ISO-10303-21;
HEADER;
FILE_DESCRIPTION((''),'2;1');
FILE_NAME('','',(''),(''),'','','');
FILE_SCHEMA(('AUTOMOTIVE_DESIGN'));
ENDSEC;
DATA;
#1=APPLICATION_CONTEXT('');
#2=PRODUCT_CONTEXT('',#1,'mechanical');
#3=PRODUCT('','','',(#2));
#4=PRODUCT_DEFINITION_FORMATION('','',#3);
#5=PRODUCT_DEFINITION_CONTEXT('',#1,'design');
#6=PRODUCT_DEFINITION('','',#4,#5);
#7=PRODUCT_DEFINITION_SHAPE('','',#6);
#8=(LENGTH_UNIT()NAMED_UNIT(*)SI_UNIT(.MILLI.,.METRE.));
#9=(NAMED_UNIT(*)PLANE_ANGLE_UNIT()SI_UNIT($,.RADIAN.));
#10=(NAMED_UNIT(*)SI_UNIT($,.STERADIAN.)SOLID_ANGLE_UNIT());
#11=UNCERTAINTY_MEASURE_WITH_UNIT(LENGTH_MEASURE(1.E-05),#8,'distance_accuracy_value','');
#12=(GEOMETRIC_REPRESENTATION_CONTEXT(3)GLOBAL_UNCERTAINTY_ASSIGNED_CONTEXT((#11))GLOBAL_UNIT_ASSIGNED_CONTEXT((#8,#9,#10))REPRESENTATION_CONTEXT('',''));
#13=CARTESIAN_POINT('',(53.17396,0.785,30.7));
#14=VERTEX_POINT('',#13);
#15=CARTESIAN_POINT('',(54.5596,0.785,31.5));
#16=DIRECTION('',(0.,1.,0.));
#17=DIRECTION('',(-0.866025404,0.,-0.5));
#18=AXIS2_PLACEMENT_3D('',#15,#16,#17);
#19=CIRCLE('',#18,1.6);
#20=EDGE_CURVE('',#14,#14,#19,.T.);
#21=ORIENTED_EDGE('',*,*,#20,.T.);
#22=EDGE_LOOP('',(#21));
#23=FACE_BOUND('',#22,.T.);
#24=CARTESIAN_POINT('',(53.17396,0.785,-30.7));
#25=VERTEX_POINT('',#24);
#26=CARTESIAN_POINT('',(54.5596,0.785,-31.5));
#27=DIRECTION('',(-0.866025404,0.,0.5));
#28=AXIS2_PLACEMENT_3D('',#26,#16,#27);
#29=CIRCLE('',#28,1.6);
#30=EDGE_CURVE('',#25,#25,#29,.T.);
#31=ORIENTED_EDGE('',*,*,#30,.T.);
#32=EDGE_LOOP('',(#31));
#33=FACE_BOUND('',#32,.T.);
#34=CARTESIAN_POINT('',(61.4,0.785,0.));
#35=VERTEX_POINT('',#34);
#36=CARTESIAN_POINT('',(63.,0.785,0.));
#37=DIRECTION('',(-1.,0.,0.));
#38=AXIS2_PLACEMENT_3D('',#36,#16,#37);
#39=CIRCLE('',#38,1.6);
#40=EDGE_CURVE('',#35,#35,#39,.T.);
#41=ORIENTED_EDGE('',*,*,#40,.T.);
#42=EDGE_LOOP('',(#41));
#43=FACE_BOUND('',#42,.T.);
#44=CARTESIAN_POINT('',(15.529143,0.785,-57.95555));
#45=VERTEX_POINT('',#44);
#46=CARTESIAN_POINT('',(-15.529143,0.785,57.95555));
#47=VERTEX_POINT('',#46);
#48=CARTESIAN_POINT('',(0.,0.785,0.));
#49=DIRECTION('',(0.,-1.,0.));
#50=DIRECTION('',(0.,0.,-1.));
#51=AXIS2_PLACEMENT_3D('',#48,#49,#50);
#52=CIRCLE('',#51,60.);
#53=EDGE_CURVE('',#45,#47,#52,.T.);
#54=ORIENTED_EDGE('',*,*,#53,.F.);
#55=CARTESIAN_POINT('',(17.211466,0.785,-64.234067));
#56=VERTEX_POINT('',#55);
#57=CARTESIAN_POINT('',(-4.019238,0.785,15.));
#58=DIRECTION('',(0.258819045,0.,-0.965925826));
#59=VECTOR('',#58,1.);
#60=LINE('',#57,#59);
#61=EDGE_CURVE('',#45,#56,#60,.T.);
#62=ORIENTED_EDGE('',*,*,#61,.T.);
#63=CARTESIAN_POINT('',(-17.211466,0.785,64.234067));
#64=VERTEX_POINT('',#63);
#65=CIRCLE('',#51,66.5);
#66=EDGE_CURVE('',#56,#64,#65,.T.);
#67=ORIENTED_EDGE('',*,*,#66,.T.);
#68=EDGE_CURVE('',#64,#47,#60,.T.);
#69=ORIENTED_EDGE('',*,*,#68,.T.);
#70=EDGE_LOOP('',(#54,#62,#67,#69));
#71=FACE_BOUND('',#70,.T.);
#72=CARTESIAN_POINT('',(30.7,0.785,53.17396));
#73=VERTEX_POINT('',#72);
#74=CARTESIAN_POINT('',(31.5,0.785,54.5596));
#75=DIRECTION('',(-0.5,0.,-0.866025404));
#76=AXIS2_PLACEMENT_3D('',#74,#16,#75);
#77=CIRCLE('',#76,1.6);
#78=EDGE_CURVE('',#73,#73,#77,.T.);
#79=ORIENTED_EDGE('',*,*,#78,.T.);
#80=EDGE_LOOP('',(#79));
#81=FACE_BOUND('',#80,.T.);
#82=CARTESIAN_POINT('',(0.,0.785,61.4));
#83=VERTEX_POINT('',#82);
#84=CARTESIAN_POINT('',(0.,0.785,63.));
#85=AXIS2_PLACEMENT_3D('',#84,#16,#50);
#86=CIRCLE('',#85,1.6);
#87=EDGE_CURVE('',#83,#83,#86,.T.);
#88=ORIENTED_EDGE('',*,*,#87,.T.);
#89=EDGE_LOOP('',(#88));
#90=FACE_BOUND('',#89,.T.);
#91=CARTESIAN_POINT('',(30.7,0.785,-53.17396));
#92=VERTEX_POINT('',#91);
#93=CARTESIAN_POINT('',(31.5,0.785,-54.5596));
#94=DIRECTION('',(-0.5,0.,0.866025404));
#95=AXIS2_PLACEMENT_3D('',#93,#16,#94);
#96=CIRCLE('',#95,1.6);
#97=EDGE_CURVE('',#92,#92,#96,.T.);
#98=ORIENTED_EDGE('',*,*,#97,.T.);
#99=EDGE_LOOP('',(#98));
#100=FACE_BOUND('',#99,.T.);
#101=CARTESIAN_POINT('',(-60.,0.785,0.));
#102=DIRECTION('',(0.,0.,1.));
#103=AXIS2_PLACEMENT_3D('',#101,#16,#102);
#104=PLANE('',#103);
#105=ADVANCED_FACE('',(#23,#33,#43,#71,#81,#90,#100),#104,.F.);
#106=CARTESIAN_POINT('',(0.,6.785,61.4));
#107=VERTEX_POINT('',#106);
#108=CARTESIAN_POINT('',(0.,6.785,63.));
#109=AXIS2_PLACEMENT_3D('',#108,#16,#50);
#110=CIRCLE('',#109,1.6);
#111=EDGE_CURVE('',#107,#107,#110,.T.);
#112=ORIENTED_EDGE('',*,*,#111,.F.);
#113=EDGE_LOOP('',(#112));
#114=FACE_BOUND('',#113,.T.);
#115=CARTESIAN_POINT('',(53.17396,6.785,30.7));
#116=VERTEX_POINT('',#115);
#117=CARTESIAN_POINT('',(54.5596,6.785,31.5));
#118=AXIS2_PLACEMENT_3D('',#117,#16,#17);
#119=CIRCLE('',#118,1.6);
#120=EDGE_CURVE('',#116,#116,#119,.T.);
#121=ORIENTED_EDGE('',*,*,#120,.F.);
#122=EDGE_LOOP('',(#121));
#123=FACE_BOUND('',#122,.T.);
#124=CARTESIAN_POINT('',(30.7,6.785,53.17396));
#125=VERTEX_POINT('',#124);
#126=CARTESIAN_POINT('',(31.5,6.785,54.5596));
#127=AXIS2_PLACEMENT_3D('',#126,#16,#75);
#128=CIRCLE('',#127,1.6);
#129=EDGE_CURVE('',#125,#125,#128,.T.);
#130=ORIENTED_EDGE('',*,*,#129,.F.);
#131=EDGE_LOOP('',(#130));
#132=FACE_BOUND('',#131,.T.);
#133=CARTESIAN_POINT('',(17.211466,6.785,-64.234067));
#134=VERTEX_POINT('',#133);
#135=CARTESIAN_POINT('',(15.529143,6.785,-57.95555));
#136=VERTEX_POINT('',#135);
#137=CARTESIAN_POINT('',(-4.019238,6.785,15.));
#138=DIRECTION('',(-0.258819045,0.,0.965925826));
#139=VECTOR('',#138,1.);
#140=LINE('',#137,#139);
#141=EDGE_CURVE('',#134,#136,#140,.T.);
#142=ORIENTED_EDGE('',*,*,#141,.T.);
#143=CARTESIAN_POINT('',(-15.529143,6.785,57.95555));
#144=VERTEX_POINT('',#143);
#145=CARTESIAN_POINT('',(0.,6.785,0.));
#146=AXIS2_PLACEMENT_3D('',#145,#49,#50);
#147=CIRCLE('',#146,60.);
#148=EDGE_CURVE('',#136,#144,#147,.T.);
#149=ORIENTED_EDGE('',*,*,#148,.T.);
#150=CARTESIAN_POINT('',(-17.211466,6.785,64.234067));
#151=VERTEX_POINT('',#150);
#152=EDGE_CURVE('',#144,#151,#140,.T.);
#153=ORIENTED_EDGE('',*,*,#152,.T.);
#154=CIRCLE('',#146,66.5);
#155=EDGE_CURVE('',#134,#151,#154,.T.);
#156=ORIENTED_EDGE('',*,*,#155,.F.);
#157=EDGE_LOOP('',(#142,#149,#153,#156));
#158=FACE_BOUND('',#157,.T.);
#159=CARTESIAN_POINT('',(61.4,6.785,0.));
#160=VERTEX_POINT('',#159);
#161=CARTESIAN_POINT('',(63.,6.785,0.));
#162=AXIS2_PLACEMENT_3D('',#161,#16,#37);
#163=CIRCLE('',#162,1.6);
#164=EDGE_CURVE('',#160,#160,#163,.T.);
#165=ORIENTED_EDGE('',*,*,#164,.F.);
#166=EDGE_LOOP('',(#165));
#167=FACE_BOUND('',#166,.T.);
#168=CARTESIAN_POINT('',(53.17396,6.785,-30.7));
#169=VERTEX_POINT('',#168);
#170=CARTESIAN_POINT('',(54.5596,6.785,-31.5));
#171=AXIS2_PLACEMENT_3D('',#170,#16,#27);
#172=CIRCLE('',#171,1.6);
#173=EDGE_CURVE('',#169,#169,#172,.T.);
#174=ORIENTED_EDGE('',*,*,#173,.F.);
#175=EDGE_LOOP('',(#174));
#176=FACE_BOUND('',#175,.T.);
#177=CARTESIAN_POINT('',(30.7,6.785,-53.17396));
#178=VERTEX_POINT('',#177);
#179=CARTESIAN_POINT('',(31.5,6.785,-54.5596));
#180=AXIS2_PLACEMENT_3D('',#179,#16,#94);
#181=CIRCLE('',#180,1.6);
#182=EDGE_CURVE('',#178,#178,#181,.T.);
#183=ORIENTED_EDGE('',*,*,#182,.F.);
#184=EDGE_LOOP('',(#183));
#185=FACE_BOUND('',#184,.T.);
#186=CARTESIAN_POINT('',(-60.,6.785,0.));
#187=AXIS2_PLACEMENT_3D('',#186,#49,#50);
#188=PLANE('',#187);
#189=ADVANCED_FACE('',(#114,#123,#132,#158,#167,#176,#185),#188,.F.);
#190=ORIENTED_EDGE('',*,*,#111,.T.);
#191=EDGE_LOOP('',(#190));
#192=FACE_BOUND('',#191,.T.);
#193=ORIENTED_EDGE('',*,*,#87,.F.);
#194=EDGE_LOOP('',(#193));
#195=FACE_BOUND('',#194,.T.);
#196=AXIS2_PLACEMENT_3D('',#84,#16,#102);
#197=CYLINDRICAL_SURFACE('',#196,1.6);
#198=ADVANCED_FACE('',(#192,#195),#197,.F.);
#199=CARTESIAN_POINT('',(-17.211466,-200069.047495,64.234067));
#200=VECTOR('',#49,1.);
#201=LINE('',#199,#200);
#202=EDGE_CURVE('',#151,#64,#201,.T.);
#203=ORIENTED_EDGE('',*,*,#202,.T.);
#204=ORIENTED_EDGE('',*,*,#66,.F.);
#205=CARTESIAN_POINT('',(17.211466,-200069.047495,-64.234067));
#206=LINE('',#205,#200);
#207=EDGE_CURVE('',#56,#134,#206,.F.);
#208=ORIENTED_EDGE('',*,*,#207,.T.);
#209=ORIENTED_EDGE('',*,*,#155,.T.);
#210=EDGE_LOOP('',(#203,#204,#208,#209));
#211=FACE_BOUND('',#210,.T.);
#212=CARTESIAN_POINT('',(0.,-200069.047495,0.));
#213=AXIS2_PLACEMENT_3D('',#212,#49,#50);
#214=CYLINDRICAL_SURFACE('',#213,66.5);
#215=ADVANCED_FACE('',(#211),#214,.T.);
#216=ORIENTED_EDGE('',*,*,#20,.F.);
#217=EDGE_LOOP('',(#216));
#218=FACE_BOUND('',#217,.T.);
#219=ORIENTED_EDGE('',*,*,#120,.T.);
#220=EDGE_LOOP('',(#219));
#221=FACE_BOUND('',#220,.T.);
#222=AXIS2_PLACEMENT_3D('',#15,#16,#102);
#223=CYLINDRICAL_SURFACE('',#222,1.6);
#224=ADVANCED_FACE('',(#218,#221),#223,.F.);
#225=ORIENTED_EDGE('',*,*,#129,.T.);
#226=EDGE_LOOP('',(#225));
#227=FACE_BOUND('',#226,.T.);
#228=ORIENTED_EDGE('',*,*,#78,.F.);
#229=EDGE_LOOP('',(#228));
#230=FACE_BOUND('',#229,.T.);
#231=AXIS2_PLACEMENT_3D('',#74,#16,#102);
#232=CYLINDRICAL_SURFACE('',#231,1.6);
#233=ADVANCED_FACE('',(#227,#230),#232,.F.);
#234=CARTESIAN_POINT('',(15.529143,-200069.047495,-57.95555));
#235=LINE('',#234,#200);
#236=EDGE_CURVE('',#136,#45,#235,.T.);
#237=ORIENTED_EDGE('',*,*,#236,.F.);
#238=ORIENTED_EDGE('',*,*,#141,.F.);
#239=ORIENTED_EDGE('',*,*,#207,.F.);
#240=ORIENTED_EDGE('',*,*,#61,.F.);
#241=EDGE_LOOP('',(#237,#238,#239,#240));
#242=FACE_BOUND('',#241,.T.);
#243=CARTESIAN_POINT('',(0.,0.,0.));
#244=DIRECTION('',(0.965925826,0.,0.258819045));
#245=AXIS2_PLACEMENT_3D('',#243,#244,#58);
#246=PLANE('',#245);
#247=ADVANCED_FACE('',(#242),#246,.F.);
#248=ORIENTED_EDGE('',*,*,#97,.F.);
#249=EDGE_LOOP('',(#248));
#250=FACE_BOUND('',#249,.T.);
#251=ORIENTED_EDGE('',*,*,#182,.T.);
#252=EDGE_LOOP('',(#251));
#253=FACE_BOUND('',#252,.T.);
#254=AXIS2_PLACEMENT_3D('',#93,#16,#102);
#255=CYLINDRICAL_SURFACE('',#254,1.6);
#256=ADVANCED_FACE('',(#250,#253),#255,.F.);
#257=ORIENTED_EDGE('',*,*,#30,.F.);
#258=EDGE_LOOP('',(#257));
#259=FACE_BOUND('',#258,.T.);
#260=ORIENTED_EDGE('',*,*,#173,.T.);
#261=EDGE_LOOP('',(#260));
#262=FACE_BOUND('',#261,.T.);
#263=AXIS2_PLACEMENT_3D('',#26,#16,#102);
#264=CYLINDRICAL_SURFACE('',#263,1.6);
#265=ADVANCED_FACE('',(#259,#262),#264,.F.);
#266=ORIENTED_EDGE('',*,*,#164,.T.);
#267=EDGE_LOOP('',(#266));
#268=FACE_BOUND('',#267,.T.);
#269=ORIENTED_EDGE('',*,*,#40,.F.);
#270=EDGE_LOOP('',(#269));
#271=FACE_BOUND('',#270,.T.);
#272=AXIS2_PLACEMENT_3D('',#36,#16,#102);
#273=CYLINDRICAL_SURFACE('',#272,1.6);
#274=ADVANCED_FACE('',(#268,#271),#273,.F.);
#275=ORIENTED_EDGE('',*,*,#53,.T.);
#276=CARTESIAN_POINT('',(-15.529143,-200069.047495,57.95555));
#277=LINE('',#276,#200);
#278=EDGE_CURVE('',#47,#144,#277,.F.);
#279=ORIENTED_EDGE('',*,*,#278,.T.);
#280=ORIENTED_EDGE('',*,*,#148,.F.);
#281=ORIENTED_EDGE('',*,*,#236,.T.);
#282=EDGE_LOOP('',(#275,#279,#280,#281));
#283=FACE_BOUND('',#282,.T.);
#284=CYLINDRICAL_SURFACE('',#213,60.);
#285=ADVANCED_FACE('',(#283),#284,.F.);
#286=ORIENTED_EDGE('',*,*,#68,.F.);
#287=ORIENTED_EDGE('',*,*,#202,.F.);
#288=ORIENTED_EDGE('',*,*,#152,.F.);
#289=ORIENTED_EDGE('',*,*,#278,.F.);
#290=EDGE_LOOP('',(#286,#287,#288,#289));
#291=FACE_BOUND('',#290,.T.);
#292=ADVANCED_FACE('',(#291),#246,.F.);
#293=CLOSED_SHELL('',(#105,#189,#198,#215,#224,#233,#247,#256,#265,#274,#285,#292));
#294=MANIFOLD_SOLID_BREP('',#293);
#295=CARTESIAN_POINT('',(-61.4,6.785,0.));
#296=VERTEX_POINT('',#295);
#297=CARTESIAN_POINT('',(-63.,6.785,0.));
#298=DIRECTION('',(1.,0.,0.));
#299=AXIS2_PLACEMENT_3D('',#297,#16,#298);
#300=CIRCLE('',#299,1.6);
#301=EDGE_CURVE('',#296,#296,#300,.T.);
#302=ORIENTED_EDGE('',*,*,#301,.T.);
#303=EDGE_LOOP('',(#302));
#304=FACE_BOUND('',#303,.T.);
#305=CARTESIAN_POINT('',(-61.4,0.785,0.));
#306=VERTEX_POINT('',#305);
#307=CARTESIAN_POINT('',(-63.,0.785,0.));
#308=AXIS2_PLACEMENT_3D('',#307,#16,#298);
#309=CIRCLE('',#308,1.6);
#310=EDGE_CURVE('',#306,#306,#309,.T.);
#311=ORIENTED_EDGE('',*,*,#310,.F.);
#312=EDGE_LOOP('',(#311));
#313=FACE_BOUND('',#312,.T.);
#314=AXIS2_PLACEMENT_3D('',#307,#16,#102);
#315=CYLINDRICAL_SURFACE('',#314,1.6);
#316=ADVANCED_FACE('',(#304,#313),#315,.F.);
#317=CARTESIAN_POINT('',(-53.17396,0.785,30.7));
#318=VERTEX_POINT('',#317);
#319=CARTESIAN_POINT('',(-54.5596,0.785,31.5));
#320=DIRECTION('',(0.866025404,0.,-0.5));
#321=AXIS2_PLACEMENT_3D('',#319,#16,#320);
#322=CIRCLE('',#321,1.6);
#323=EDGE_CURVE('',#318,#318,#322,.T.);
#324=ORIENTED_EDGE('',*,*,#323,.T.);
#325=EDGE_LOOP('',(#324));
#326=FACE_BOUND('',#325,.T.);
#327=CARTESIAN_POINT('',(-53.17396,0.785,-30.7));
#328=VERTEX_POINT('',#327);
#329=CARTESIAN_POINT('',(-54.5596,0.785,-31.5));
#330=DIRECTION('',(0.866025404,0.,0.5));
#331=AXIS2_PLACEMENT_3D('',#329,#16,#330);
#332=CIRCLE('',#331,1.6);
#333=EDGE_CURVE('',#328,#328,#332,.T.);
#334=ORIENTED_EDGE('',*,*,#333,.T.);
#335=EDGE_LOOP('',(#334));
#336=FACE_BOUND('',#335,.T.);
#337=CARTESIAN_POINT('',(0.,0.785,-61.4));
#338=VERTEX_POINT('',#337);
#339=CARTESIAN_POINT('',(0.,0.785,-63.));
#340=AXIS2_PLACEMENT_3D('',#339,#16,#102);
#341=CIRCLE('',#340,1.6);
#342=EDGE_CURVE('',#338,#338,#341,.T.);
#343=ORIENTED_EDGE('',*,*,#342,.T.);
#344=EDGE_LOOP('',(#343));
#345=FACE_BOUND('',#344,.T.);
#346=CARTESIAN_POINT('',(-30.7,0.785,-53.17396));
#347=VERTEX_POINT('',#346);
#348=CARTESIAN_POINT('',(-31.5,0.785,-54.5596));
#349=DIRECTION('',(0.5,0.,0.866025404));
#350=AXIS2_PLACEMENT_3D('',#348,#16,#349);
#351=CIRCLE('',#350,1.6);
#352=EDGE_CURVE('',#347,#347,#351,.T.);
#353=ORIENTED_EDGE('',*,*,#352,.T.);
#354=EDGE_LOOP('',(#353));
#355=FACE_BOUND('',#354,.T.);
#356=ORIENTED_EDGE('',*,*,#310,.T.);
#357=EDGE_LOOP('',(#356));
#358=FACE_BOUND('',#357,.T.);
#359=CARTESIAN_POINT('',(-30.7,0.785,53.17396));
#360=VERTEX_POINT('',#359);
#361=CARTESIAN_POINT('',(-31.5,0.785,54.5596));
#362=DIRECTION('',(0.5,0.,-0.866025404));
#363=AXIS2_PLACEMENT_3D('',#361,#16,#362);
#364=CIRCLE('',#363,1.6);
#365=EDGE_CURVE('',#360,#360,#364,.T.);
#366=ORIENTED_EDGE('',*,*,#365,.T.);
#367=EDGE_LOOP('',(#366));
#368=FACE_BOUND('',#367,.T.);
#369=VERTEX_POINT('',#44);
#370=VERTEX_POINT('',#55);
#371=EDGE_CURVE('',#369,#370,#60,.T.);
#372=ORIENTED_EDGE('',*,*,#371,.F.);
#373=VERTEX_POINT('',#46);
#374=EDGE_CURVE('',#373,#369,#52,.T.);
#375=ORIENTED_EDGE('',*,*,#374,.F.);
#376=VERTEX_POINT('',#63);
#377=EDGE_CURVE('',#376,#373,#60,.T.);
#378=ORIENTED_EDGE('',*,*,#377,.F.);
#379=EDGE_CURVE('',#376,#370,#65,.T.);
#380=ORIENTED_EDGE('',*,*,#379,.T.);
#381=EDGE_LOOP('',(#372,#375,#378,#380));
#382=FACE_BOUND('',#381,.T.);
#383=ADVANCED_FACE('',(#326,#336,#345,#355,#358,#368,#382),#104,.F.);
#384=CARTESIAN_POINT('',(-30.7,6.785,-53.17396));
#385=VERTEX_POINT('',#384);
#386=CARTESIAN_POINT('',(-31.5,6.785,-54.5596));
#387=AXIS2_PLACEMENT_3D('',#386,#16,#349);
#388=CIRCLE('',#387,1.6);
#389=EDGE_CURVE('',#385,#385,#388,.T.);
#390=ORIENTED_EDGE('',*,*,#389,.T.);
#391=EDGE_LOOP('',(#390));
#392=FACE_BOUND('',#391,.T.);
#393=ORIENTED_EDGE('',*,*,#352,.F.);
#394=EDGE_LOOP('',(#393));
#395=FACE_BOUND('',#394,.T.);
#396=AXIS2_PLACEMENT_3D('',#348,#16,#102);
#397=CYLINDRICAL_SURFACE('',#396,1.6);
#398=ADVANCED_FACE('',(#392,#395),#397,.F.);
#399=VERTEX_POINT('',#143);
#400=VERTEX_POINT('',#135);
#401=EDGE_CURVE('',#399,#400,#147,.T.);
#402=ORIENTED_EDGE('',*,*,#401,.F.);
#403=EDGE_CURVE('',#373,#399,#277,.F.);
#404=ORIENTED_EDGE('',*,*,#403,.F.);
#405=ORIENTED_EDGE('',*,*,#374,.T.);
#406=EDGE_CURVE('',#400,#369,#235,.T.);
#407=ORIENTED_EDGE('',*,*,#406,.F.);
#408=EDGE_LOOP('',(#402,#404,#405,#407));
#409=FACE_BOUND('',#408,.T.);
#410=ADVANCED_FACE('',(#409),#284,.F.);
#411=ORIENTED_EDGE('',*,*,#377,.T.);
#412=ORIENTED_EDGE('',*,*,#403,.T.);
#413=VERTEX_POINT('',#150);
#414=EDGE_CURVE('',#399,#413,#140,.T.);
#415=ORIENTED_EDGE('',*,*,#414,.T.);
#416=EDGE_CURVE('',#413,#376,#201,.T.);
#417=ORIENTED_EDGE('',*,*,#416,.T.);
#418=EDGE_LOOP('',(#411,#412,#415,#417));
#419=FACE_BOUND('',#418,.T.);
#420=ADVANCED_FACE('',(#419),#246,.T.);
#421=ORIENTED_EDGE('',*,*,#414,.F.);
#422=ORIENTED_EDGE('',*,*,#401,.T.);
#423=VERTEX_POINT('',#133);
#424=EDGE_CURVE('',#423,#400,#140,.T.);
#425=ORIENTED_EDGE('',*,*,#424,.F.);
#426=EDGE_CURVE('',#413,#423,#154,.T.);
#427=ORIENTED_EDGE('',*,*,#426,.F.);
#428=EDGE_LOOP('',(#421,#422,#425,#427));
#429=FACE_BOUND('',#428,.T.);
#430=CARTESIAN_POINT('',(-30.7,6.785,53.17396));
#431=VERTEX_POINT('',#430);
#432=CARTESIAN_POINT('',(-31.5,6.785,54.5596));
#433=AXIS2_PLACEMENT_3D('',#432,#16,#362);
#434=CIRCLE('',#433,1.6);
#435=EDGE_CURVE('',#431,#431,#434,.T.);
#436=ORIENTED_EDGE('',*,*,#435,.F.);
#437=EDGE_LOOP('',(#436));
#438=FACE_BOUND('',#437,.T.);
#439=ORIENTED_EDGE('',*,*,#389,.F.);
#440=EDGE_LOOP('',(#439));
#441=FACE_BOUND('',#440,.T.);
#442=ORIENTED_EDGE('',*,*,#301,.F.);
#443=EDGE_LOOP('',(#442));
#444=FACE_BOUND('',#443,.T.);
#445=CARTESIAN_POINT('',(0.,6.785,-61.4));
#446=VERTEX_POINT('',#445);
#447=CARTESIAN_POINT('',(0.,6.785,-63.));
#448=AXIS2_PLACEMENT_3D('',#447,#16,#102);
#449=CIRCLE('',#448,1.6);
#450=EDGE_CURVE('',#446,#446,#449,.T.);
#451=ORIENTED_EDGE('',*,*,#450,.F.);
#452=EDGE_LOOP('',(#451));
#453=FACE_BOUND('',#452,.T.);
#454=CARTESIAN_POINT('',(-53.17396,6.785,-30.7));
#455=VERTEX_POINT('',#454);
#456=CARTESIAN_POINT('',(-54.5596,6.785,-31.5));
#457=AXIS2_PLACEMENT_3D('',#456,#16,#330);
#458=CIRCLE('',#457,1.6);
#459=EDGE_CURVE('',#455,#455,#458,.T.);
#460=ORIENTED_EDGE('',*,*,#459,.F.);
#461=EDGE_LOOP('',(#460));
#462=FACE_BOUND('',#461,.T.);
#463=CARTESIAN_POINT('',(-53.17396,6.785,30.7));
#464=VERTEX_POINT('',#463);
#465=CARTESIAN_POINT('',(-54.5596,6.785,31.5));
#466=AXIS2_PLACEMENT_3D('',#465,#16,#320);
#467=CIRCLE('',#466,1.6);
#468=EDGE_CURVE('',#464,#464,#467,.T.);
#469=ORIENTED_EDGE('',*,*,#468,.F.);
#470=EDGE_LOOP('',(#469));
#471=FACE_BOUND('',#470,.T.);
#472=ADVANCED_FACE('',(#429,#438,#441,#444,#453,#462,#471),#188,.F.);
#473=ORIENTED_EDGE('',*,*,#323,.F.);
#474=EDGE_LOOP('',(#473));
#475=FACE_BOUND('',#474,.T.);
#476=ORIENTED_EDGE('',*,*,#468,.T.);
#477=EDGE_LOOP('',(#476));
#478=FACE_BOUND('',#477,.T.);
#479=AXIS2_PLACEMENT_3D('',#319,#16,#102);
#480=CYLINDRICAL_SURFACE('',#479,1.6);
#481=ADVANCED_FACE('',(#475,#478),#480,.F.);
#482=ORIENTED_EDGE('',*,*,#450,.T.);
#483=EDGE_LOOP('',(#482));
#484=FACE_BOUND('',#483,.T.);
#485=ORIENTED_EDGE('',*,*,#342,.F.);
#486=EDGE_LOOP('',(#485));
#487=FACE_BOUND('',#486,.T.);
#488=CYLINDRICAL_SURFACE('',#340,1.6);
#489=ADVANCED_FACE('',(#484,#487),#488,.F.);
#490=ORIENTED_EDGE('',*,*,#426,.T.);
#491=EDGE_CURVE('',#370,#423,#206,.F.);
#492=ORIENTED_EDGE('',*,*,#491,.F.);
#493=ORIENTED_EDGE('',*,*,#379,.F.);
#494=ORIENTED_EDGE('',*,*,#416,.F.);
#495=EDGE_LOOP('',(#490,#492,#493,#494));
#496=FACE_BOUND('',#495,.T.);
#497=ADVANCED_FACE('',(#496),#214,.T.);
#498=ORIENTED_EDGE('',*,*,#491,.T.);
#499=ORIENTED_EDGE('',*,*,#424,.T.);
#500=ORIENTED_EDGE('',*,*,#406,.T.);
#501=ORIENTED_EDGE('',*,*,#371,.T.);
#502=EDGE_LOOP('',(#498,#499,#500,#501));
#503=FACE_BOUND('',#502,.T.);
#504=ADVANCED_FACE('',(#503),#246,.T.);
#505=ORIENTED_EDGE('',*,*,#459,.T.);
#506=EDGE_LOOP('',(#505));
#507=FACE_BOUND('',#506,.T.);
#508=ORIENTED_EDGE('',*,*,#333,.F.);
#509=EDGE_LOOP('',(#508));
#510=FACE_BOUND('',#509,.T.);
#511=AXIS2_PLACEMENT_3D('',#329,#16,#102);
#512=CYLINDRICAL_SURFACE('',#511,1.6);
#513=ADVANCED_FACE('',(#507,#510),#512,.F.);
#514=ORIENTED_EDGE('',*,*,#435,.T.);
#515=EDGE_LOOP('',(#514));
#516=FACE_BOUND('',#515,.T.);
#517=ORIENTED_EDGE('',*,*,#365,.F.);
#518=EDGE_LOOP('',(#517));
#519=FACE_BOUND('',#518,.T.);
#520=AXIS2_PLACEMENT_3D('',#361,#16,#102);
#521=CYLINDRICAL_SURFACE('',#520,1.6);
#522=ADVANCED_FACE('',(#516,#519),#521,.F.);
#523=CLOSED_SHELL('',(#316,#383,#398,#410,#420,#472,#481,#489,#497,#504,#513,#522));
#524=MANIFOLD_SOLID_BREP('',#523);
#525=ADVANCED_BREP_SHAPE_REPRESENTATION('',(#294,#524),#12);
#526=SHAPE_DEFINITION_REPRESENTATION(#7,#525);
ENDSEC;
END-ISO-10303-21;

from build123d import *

# Parameters (mm, degrees)
SKETCH1_W          = 6.5
SKETCH1_H          = 6
SKETCH2_R          = 1.6
CUT_EXTRUDE1_DEPTH = 95.236404855
CIRPATTERN1_COUNT  = 12


with BuildPart() as part:
    # Sketch1 → Revolve1 (revolve)
    with BuildSketch(Plane.XY):
        with Locations((-63.25, 3.785)):
            Rectangle(SKETCH1_W, SKETCH1_H)
    revolve(axis=Axis((0, -200069.047495165, 0), (0, 1, 0)))

    # Sketch2 → Cut-Extrude1 (cut, through all)
    with BuildSketch(Plane(origin=(0, 6.785, 0), x_dir=(1, 0, 0), z_dir=(0, 1, 0))):
        with Locations((0, 63)):
            Circle(SKETCH2_R)
    cut_extrude1 = extrude(amount=-CUT_EXTRUDE1_DEPTH, mode=Mode.SUBTRACT)

    # CirPattern1: Cut-Extrude1 ×12 about axis
    cirpattern1_axis = Axis((0, -200069.047495165, 0), (0, -1, 0))
    for i in range(1, CIRPATTERN1_COUNT):
        add(cut_extrude1.rotate(cirpattern1_axis, i * 360 / CIRPATTERN1_COUNT), mode=Mode.SUBTRACT)


with BuildPart() as body_2:
    # Split1: the piece on the far side of the plane
    add(part.part)
    split(bisect_by=Plane(origin=(0, 0, 0), x_dir=(-0.25881904510252135, 0, 0.9659258262890681), z_dir=(0.9659258262890681, 0, 0.25881904510252135)), keep=Keep.BOTTOM)


with BuildPart() as part_1:
    add(part.part)

    # Split1
    split(bisect_by=Plane(origin=(0, 0, 0), x_dir=(-0.25881904510252135, 0, 0.9659258262890681), z_dir=(0.9659258262890681, 0, 0.25881904510252135)), keep=Keep.TOP)


solid = Compound([body_2.part, part_1.part])
